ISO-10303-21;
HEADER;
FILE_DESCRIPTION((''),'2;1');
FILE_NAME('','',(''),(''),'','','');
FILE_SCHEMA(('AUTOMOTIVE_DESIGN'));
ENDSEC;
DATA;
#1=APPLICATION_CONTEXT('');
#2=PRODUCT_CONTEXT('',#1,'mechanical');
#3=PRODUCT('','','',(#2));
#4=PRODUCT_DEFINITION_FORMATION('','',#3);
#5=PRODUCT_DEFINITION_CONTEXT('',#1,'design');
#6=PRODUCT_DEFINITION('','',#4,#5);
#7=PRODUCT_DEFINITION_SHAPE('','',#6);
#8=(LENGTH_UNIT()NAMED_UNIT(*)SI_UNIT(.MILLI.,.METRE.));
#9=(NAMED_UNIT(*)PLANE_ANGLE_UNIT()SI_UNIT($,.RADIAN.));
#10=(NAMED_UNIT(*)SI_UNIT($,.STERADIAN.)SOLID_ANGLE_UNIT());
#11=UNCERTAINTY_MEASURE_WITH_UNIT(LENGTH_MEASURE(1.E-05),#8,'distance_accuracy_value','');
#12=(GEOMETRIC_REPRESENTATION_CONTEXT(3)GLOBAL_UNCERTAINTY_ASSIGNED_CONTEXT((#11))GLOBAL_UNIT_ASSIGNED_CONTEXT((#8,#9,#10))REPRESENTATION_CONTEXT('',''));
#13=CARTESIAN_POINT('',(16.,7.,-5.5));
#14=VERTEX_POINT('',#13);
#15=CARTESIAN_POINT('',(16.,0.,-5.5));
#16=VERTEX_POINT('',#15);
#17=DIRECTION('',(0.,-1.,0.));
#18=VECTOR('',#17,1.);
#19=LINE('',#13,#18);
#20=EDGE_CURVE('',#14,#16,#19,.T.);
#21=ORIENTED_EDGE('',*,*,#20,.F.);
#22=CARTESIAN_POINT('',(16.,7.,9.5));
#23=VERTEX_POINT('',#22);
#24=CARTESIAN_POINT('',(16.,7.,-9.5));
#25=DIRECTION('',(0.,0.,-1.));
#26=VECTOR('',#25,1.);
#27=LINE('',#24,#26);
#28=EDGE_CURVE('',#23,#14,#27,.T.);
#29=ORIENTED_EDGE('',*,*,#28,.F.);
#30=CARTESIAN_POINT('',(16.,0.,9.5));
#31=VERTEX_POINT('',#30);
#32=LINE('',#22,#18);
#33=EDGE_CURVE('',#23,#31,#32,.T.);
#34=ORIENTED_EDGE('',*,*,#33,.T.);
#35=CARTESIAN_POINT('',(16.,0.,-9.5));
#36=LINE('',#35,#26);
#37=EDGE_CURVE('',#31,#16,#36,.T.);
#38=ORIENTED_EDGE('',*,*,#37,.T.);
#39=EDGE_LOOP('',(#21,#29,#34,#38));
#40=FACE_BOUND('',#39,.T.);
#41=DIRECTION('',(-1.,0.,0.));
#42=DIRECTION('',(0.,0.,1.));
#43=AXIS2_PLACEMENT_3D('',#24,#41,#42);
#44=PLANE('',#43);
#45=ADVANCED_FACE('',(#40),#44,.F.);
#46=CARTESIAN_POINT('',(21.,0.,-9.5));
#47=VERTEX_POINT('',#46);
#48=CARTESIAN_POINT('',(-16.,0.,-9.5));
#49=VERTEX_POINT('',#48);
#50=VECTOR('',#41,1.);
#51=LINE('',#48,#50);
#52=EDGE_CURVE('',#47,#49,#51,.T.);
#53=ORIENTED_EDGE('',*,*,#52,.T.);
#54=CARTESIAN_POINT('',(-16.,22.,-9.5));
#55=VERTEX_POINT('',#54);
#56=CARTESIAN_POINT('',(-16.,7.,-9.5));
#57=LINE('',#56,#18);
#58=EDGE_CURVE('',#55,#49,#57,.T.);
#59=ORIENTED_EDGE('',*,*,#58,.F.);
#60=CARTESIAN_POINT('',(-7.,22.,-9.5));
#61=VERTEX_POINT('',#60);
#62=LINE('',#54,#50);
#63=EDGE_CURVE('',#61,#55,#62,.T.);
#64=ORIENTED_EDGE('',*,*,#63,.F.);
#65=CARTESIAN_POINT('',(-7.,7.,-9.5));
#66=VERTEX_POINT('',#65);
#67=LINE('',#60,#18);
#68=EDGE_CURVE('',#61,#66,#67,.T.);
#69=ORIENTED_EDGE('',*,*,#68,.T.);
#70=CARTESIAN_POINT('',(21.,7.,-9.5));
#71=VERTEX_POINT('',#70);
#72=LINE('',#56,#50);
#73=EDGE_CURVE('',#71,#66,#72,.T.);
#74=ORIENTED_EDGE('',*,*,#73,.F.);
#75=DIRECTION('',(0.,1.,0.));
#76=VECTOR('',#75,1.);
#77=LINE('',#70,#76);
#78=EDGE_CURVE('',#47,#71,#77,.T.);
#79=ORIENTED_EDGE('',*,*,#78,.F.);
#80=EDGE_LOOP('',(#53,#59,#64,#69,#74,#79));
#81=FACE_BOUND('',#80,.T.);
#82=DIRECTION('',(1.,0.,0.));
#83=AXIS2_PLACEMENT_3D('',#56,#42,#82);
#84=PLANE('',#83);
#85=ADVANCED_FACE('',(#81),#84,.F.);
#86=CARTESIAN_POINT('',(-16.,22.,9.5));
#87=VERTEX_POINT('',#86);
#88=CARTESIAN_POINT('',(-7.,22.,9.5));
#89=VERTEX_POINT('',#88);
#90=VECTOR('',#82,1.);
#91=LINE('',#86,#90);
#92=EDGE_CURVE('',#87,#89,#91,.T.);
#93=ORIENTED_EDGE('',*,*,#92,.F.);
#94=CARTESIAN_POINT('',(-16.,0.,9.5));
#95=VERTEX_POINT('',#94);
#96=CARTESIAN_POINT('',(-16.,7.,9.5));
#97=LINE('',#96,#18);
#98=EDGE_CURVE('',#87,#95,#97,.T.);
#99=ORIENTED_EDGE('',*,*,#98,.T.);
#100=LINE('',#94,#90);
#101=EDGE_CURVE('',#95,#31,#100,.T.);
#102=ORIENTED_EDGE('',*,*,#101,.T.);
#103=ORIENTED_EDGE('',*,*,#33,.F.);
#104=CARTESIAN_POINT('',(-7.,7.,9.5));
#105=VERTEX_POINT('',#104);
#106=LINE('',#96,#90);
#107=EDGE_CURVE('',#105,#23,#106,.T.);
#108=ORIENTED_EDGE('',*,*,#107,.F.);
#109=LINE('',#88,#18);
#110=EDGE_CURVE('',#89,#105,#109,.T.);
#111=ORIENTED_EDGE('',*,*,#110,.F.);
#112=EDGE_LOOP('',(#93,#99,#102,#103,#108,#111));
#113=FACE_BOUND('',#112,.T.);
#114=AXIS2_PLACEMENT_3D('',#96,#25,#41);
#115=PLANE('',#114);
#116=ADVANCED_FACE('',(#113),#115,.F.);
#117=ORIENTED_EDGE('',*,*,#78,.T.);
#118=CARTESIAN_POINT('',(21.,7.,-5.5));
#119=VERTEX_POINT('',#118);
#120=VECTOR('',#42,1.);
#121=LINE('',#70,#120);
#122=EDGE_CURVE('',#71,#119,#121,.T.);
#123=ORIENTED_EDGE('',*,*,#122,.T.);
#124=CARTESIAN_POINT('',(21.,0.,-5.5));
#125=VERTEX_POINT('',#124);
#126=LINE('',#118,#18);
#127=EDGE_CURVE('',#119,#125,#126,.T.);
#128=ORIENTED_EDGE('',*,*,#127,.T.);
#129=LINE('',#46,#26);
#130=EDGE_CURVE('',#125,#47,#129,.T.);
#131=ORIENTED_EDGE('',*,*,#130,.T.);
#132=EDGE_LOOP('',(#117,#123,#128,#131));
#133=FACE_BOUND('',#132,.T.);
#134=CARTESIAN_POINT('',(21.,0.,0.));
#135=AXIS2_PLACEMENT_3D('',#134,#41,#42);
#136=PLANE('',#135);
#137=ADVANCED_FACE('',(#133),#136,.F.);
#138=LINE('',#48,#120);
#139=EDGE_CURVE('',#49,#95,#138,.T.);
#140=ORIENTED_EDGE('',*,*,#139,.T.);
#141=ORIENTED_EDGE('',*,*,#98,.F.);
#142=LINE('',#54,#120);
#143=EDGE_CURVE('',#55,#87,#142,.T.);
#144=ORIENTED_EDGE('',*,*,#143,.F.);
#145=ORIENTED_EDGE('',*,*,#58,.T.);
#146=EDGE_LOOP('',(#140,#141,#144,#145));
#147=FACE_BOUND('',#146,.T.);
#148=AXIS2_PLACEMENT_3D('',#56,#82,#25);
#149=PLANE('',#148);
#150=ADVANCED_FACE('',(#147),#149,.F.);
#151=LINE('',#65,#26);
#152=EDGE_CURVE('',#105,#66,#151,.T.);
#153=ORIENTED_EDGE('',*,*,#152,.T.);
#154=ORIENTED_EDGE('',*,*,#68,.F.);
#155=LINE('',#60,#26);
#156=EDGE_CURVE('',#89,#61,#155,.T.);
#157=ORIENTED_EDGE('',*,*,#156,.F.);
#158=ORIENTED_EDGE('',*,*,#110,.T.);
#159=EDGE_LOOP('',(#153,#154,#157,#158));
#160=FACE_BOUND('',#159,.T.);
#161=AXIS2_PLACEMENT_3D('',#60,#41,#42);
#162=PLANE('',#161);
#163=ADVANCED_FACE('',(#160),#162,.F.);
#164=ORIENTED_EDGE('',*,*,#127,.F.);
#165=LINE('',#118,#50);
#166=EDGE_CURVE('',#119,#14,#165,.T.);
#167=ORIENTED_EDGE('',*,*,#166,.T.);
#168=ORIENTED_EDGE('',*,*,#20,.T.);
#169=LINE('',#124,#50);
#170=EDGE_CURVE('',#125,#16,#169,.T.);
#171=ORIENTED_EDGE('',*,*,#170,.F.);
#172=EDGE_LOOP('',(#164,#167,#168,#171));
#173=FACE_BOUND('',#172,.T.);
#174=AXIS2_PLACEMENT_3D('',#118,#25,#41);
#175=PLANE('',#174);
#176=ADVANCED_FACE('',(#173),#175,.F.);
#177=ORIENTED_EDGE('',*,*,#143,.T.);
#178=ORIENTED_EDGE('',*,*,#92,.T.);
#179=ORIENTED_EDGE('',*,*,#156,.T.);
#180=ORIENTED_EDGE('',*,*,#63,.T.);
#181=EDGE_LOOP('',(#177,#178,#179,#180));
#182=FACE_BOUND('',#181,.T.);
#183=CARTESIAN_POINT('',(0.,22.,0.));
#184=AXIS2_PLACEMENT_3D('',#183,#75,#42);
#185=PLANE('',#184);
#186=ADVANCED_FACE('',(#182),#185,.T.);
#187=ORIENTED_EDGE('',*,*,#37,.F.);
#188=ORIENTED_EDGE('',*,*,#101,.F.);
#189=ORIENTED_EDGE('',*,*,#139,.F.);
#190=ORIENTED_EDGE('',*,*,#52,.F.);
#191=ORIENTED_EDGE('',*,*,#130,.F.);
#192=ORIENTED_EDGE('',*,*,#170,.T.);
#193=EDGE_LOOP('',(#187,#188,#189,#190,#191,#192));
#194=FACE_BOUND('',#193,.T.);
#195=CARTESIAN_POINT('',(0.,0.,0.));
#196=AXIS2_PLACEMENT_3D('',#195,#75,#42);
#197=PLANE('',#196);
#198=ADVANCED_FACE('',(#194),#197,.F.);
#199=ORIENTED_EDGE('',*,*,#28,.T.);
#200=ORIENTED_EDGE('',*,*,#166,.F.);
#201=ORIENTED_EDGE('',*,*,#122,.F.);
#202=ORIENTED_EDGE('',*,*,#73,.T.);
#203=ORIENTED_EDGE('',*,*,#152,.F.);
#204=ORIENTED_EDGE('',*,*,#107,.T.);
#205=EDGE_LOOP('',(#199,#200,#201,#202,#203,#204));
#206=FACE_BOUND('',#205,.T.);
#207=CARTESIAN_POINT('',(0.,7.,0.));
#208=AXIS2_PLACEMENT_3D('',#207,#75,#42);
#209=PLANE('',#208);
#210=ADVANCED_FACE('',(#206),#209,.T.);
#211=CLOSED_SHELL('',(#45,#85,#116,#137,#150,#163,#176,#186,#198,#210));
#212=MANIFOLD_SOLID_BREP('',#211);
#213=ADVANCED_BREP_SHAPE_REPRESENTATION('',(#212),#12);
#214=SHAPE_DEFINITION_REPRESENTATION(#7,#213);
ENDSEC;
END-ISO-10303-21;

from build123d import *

# Parameters (mm, degrees)
SKETCH1_W           = 32
SKETCH1_H           = 19
BOSS_EXTRUDE1_DEPTH = 7
SKETCH2_W           = 9
SKETCH2_H           = 19
BOSS_EXTRUDE2_DEPTH = 15
SKETCH3_W           = 4
SKETCH3_H           = 7
BOSS_EXTRUDE3_DEPTH = 5


with BuildPart() as part:
    # Sketch1 → Boss-Extrude1 (new body)
    with BuildSketch(Plane(origin=(0, 0, 0), x_dir=(1, 0, 0), z_dir=(0, 1, 0))):
        Rectangle(SKETCH1_W, SKETCH1_H)
    extrude(amount=BOSS_EXTRUDE1_DEPTH)

    # Sketch2 → Boss-Extrude2 (add)
    with BuildSketch(Plane(origin=(0, 7, 0), x_dir=(1, 0, 0), z_dir=(0, 1, 0))):
        with Locations((-11.5, 0)):
            Rectangle(SKETCH2_W, SKETCH2_H)
    extrude(amount=BOSS_EXTRUDE2_DEPTH)

    # Sketch3 → Boss-Extrude3 (add)
    with BuildSketch(Plane(origin=(16, 0, 0), x_dir=(0, 0, -1), z_dir=(1, 0, 0))):
        with Locations((7.5, 3.5)):
            Rectangle(SKETCH3_W, SKETCH3_H)
    extrude(amount=BOSS_EXTRUDE3_DEPTH)


solid = part.part
